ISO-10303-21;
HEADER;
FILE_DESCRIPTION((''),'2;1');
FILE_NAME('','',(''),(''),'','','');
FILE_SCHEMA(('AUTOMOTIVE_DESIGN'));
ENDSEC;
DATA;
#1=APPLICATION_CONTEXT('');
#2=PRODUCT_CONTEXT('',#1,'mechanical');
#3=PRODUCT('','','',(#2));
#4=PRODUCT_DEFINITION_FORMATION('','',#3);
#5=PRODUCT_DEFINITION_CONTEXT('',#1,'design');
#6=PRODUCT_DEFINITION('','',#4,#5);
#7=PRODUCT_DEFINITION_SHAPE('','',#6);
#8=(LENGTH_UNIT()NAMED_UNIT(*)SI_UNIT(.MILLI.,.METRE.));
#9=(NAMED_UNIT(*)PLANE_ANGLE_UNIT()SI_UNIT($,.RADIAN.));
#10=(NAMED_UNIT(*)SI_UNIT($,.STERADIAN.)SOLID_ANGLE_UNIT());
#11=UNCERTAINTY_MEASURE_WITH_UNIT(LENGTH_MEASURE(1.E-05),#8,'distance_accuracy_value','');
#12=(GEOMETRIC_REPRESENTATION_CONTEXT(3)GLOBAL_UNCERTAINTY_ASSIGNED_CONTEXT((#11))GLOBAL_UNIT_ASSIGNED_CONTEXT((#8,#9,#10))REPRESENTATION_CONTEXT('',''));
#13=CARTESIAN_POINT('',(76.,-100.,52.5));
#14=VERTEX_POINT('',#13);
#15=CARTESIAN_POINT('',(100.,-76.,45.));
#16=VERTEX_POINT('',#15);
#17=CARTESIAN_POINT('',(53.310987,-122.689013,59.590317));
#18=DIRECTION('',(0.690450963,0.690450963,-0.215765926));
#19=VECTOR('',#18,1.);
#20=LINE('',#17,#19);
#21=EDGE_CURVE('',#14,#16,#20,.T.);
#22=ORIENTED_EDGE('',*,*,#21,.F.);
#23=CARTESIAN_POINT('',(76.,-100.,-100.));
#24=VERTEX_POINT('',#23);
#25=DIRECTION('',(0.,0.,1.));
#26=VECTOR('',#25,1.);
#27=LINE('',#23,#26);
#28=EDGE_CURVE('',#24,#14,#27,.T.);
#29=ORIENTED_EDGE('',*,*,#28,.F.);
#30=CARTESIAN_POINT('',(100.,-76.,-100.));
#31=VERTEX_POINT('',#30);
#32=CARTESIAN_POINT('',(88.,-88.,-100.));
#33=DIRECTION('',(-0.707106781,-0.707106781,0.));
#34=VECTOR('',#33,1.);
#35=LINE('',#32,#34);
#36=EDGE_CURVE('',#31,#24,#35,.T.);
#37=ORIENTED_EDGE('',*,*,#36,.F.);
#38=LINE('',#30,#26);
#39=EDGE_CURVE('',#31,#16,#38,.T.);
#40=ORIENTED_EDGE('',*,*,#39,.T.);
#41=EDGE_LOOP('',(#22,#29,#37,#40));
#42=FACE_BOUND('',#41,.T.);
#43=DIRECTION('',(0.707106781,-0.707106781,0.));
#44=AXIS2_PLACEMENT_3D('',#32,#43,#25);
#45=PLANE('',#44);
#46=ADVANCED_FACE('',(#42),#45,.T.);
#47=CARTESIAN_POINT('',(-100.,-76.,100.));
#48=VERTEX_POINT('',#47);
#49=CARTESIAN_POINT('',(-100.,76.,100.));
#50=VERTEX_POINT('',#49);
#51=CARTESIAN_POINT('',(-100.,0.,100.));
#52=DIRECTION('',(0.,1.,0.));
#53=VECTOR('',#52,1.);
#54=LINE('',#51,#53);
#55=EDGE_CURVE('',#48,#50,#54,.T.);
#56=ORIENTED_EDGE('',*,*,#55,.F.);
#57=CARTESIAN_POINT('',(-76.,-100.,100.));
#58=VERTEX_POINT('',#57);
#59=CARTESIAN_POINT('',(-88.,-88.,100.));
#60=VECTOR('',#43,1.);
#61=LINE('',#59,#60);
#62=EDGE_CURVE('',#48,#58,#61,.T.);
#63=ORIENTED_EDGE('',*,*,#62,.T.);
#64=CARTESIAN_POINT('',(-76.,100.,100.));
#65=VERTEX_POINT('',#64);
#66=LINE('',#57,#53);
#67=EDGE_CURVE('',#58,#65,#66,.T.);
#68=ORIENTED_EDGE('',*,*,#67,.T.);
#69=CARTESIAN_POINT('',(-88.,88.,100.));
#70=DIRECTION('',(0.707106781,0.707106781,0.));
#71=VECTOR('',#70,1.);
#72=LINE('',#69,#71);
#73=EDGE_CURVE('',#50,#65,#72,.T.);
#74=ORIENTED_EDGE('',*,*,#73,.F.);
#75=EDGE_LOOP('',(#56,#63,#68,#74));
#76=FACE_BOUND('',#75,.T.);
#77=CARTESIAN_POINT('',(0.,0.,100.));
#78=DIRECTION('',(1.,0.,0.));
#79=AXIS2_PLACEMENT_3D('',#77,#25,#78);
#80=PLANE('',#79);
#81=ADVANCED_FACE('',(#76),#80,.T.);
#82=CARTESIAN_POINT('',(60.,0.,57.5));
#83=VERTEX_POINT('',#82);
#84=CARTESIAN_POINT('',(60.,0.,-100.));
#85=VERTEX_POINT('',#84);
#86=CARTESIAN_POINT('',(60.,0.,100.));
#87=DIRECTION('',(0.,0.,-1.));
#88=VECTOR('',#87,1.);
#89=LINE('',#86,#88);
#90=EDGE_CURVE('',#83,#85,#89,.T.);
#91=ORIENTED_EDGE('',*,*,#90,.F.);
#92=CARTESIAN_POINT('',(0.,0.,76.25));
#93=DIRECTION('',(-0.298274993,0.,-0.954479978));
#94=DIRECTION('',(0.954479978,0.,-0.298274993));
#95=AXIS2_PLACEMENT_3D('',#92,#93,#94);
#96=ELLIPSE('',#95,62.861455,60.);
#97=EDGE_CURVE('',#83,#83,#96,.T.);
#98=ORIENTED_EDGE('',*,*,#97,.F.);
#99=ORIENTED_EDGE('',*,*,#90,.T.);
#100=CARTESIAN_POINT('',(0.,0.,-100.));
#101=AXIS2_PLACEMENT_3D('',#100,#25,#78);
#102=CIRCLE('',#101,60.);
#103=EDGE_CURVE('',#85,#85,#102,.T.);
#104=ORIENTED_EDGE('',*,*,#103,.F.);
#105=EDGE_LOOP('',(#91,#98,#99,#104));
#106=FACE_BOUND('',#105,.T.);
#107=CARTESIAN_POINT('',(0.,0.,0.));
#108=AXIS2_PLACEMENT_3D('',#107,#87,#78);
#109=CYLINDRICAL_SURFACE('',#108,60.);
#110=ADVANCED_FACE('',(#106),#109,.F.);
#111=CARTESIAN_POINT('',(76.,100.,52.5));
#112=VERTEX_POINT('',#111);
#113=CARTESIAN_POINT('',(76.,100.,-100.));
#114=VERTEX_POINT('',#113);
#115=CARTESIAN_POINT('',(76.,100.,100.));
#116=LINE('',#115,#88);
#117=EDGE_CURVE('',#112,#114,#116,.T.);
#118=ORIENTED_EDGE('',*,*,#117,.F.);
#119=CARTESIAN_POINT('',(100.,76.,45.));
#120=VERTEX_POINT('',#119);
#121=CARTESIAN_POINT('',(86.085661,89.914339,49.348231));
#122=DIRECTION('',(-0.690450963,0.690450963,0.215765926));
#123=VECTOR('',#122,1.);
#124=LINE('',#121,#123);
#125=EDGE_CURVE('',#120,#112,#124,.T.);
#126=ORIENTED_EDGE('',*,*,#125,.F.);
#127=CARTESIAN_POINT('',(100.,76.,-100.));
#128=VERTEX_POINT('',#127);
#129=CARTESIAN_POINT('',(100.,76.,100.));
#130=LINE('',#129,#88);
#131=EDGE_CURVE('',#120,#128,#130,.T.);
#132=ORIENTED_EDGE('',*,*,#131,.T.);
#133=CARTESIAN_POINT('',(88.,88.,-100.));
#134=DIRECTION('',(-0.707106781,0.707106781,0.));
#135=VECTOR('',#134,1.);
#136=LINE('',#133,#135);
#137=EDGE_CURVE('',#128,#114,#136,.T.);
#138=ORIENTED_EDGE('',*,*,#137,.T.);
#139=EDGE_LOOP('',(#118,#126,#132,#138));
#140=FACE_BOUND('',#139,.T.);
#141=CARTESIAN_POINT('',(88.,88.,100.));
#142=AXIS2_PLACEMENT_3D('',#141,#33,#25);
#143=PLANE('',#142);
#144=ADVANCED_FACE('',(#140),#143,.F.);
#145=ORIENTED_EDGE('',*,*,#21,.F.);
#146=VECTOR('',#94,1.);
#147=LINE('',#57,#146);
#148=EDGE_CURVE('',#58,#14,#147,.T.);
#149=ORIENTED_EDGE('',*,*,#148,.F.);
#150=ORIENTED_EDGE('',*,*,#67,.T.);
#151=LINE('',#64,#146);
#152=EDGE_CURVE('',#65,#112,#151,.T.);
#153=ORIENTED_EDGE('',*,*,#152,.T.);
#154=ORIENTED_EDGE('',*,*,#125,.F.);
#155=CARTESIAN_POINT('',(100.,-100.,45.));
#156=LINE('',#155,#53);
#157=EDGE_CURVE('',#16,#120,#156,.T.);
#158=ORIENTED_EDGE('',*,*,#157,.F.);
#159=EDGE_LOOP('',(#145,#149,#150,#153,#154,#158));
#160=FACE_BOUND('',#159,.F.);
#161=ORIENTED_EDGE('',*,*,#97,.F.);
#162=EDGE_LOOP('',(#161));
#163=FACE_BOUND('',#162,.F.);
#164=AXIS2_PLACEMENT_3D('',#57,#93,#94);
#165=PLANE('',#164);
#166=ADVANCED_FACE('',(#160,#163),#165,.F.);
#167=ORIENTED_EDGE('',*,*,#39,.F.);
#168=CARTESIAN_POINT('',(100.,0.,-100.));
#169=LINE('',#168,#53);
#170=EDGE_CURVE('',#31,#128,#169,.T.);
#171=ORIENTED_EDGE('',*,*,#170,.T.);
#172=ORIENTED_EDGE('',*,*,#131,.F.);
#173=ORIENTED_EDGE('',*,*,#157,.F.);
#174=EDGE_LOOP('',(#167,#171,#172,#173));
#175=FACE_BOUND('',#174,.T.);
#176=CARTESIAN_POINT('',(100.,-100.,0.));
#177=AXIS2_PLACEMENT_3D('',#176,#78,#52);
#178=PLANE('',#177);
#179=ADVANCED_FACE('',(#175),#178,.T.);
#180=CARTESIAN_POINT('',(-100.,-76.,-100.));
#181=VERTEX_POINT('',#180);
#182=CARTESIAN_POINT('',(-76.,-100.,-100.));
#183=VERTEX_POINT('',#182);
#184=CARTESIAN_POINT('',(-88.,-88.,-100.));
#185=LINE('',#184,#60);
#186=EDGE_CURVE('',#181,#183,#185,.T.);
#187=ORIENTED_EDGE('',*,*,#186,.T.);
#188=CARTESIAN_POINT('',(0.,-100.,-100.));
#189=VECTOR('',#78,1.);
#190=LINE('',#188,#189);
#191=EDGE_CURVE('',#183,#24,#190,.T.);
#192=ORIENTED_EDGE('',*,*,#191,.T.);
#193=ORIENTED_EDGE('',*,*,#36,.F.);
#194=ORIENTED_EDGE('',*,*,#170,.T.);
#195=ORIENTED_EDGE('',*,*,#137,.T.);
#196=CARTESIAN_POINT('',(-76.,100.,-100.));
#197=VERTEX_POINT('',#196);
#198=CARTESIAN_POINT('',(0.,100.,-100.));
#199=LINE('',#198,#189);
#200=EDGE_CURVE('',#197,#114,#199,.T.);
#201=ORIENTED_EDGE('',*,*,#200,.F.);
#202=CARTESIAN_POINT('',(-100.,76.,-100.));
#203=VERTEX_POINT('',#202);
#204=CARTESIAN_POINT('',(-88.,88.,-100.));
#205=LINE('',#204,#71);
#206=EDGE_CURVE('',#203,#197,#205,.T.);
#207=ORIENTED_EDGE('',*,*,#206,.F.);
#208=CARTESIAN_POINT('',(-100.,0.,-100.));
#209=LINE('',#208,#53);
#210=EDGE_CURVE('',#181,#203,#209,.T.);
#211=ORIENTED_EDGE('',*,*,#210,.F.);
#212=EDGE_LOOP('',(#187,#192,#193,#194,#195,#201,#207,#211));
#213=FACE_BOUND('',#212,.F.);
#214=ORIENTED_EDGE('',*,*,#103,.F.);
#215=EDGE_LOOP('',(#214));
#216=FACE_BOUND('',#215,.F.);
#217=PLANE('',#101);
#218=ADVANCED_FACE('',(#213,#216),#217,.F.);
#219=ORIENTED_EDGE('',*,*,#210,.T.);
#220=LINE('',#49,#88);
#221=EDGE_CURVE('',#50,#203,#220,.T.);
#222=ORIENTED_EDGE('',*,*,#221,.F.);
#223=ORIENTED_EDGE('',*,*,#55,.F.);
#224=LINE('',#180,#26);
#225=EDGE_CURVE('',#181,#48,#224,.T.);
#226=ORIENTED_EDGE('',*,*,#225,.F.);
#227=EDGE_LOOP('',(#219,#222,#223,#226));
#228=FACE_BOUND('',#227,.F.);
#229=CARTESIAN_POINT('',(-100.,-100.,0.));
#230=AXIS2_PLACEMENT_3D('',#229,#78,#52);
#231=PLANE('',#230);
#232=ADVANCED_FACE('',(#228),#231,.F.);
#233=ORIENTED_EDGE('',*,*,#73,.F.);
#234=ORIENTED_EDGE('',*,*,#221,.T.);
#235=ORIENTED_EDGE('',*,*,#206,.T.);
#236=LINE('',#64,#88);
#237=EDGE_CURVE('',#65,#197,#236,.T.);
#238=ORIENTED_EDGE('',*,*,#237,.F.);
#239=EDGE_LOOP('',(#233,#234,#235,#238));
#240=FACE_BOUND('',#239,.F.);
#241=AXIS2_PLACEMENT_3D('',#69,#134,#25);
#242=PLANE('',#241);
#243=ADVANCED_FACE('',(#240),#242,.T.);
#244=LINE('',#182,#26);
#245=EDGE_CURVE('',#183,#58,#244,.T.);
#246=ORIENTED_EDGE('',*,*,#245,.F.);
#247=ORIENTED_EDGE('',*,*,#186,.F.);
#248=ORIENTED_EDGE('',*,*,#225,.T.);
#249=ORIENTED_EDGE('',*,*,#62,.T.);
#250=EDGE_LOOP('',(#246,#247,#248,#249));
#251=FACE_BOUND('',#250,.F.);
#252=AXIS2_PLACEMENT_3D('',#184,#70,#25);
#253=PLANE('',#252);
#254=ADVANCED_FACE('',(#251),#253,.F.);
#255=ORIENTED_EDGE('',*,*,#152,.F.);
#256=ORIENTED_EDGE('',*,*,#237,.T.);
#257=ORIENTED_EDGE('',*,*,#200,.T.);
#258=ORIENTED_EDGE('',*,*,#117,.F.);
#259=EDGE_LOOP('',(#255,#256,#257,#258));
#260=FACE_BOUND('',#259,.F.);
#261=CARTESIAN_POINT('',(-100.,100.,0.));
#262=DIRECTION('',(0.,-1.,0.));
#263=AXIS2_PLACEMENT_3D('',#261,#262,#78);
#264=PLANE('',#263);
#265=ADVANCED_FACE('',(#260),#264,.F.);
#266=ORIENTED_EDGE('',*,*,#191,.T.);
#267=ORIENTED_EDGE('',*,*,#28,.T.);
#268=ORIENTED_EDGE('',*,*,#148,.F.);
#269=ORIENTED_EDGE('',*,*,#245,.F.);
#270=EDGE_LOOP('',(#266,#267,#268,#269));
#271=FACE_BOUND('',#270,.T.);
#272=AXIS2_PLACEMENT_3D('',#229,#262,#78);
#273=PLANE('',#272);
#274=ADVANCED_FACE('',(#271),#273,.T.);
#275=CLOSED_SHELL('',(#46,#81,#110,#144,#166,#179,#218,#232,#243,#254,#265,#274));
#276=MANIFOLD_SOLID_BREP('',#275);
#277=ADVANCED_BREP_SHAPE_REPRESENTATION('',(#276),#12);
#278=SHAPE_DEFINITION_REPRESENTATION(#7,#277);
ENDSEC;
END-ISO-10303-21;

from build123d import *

# Parameters (mm, degrees)
F0_W     = 200
F0_H     = 200
F0_R     = 60
F1_DEPTH = 100
F2_SIZE  = 24
F4_DEPTH = 200


with BuildPart() as f1:
    # F0 (on Top) → F1 (new body, symmetric)
    with BuildSketch(Plane.XY):
        Rectangle(F0_W, F0_H)
        Circle(F0_R, mode=Mode.SUBTRACT)
    extrude(amount=F1_DEPTH, both=True)

    # F2
    f2_edges = [f1.edges().sort_by_distance(p)[0] for p in [
        (-100, -100, 0),
        (100, -100, 0),
        (100, 100, 0),
        (-100, 100, 0),
    ]]
    chamfer(f2_edges, length=F2_SIZE)

    # F3 (on face) → F4 (cut)
    with BuildSketch(Plane.XZ.offset(100)):
        Polygon((100, 45), (100, 100), (-76, 100), align=None)
    extrude(amount=-F4_DEPTH, mode=Mode.SUBTRACT)


solid = f1.part
